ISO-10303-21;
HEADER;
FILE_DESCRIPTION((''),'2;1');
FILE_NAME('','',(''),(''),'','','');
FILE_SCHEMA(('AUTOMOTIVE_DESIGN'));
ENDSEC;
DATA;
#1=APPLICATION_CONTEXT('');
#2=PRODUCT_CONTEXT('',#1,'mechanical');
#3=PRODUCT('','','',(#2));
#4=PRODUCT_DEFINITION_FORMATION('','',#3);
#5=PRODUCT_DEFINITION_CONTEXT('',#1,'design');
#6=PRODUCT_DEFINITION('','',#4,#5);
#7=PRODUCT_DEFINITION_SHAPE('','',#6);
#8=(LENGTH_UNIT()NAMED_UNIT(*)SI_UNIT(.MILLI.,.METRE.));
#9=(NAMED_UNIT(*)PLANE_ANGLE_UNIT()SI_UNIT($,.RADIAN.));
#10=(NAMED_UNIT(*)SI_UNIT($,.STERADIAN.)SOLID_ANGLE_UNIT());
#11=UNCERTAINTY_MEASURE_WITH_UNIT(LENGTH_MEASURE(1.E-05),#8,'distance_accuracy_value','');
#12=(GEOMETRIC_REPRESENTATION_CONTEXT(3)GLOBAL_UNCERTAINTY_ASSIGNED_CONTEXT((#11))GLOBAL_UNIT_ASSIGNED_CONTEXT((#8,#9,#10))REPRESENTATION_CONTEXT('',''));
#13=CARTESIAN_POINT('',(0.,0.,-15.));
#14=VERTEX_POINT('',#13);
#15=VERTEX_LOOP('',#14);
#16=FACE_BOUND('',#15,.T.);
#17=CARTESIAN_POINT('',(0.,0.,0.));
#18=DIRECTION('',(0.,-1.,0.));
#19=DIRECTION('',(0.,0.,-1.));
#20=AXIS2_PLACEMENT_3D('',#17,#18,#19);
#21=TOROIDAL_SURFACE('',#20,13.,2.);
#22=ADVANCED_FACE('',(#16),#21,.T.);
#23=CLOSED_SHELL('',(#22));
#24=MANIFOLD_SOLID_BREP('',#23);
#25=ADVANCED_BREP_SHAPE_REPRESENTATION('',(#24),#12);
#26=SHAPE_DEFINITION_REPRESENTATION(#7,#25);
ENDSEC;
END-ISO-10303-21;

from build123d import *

# Parameters (mm, degrees)
SKETCH1_R = 2


with BuildPart() as part:
    # Sketch1 → Revolve1 (revolve)
    with BuildSketch(Plane(origin=(0, 0, 0), x_dir=(0, 0, -1), z_dir=(1, 0, 0))):
        with Locations((-13, 0)):
            Circle(SKETCH1_R)
    revolve(axis=Axis((0, 0, 0), (0, 1, 0)))


solid = part.part
